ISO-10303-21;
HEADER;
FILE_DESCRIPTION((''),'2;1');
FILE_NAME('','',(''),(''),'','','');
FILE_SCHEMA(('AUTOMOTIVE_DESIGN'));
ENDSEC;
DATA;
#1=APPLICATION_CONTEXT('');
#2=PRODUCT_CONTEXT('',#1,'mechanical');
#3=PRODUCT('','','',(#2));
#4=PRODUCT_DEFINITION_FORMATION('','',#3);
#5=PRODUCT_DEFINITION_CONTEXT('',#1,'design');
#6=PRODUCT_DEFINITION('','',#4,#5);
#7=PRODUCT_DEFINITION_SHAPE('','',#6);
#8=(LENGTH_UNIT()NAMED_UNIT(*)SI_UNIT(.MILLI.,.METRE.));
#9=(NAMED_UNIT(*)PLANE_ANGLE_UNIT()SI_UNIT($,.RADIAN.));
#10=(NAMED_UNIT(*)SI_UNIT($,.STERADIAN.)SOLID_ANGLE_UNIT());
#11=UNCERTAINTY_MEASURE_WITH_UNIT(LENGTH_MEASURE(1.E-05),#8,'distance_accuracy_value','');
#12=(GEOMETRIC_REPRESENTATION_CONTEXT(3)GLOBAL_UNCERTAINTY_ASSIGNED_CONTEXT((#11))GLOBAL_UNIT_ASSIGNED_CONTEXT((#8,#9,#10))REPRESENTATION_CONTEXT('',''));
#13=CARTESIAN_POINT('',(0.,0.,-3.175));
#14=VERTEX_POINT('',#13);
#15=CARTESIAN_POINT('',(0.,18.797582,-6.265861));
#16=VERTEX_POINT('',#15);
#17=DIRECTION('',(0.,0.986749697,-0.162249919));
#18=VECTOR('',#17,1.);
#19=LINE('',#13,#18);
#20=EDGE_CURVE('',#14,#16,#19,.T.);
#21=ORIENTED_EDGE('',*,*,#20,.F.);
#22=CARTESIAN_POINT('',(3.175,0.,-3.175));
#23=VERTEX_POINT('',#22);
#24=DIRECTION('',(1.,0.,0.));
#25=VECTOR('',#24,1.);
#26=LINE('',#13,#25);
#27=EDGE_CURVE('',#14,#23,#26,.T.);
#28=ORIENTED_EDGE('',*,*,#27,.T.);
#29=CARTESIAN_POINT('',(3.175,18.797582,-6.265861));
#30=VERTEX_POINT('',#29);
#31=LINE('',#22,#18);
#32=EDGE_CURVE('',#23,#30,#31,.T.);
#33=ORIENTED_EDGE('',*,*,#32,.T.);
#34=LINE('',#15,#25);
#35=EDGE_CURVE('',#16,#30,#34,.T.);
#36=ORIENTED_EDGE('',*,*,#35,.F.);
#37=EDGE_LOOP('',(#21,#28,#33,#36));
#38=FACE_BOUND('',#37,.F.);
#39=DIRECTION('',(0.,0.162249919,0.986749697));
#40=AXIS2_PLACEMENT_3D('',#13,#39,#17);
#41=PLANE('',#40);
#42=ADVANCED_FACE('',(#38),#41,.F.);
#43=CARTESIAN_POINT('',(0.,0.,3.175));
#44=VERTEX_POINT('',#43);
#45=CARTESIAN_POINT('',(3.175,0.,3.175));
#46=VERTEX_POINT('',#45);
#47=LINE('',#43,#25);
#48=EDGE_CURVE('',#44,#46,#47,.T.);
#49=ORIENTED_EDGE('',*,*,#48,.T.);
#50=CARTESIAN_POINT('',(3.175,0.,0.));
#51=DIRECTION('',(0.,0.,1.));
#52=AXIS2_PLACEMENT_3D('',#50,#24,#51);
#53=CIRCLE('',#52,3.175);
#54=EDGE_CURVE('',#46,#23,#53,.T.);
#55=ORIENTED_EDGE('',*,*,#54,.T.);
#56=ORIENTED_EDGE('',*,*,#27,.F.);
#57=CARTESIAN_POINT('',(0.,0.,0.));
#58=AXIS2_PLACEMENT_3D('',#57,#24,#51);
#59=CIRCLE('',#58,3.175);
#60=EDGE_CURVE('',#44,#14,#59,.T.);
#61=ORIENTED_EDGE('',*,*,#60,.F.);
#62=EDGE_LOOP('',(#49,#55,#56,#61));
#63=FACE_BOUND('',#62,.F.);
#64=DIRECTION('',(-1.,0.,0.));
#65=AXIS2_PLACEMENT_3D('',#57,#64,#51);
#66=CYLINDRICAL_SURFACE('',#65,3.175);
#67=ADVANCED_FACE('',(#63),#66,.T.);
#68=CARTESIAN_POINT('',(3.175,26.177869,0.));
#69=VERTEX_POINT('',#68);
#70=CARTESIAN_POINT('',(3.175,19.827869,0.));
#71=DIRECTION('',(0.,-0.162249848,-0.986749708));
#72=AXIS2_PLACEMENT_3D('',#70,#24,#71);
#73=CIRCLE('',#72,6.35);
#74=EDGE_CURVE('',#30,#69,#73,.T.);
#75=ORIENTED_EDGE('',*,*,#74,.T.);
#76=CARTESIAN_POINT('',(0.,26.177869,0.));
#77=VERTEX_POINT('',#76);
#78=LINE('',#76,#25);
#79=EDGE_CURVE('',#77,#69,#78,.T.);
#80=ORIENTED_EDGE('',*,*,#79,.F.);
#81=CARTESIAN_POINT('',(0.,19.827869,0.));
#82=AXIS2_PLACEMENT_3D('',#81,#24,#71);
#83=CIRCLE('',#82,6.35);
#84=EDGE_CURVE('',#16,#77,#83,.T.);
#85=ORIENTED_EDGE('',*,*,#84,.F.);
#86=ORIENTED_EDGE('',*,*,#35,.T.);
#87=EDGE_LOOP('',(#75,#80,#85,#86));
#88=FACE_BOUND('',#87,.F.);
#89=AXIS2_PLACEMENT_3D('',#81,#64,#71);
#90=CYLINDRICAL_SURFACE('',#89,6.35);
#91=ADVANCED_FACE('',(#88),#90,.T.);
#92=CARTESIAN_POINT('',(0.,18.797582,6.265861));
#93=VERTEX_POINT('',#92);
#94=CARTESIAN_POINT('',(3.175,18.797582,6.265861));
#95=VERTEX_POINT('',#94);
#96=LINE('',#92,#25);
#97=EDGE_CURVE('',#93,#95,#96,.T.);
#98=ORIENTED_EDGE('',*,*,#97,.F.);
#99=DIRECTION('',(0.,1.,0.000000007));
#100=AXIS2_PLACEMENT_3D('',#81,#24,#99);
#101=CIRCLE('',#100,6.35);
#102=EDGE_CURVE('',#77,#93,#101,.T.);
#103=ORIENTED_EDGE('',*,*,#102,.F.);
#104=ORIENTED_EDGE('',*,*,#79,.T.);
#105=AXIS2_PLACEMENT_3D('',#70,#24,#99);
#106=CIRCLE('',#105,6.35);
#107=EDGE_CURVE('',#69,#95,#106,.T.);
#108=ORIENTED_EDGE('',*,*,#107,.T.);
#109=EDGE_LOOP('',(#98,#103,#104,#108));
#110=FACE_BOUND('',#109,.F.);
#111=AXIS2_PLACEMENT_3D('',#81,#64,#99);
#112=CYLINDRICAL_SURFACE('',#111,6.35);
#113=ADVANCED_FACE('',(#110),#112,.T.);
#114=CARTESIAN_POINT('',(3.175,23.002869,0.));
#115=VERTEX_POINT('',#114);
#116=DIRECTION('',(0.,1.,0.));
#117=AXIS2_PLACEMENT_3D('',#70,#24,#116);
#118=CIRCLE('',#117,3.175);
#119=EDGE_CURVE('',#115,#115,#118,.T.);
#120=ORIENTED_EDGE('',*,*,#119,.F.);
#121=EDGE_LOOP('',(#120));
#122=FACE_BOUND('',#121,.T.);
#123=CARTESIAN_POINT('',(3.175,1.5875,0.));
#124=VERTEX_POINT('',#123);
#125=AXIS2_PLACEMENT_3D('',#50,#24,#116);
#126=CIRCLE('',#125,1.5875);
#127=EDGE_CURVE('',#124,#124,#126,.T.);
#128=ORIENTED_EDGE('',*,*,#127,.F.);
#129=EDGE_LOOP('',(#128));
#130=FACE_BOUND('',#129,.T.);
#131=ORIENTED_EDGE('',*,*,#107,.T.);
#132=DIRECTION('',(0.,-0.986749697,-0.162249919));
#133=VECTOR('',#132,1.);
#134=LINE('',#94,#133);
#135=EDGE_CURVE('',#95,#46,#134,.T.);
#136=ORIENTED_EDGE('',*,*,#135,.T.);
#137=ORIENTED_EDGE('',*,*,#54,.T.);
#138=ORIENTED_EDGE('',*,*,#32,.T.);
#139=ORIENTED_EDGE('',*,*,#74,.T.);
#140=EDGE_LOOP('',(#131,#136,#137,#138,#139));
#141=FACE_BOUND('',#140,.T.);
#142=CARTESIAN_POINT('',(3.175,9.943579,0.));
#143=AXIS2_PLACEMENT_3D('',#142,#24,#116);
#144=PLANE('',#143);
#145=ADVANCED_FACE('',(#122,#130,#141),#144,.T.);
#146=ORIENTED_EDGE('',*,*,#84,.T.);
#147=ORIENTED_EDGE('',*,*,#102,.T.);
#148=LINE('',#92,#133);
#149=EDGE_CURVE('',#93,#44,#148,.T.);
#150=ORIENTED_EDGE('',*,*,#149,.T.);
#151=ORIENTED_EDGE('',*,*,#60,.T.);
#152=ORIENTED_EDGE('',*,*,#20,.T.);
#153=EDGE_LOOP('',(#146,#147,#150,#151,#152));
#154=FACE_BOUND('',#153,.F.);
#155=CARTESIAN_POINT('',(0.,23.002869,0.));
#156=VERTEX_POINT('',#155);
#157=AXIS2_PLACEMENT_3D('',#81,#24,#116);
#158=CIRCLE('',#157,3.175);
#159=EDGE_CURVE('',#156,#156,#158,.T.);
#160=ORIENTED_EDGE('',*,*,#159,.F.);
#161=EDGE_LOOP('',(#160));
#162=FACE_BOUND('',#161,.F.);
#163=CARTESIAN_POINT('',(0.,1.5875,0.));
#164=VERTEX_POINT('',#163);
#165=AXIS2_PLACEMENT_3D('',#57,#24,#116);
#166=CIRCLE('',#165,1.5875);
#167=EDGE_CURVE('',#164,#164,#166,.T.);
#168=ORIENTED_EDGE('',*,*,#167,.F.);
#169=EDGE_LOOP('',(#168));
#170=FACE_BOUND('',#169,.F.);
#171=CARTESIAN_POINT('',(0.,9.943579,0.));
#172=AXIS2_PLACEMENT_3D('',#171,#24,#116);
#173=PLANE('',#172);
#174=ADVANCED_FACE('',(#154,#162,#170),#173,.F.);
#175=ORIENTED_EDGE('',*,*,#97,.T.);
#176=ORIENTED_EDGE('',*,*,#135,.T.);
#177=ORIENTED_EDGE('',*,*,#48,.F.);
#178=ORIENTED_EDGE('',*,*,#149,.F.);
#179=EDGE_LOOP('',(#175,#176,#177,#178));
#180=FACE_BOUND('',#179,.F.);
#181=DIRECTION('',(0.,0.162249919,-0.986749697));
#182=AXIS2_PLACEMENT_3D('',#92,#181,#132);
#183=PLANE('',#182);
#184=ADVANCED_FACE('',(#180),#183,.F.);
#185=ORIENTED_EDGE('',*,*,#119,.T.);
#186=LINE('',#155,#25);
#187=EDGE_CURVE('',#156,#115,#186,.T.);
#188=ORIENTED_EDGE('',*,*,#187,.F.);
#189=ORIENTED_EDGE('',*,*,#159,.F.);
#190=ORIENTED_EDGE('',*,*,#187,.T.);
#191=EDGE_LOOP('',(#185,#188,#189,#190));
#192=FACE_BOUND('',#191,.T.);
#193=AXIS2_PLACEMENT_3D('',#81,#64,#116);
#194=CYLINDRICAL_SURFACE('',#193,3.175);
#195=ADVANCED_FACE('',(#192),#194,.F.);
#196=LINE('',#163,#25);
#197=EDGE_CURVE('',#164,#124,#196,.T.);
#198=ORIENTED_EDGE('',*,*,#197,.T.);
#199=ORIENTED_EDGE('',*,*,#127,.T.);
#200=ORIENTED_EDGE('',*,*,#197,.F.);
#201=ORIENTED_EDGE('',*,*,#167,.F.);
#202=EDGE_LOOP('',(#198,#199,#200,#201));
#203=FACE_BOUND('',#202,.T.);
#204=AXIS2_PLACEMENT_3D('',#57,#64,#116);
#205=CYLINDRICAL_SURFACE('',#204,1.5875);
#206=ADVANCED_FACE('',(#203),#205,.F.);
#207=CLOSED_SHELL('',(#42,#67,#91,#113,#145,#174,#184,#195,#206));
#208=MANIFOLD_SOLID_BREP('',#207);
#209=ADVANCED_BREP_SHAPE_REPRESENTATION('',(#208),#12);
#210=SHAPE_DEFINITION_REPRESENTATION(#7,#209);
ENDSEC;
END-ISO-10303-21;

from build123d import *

# Parameters (mm, degrees)
F0_R     = 1.5875
F0_R_2   = 3.175
F1_DEPTH = 3.175


with BuildPart() as f1:
    # F0 (on Right) → F1 (new body)
    with BuildSketch(Plane.YZ):
        with BuildLine():
            ThreePointArc((0, 3.175), (2.245064, 2.245064), (3.175, 0))
            ThreePointArc((3.175, 0), (2.245064, -2.245064), (0, -3.175))
            Line((0, -3.175), (18.797582, -6.265861))
            ThreePointArc((18.797582, -6.265861), (13.477869, 0), (18.797582, 6.265861))
            Line((18.797582, 6.265861), (0, 3.175))
        make_face()
        with BuildLine():
            ThreePointArc((0, -3.175), (2.245064, -2.245064), (3.175, 0))
            ThreePointArc((3.175, 0), (2.245064, 2.245064), (0, 3.175))
            ThreePointArc((0, 3.175), (-3.175, 0), (0, -3.175))
        make_face()
        Circle(F0_R, mode=Mode.SUBTRACT)
        with BuildLine():
            ThreePointArc((26.177869, 0), (23.937624, 4.840704), (18.797582, 6.265861))
            ThreePointArc((18.797582, 6.265861), (13.477869, 0), (18.797582, -6.265861))
            ThreePointArc((18.797582, -6.265861), (23.937624, -4.840704), (26.177869, 0))
        make_face()
        with Locations((19.827869, 0)):
            Circle(F0_R_2, mode=Mode.SUBTRACT)
    extrude(amount=F1_DEPTH)


solid = f1.part
